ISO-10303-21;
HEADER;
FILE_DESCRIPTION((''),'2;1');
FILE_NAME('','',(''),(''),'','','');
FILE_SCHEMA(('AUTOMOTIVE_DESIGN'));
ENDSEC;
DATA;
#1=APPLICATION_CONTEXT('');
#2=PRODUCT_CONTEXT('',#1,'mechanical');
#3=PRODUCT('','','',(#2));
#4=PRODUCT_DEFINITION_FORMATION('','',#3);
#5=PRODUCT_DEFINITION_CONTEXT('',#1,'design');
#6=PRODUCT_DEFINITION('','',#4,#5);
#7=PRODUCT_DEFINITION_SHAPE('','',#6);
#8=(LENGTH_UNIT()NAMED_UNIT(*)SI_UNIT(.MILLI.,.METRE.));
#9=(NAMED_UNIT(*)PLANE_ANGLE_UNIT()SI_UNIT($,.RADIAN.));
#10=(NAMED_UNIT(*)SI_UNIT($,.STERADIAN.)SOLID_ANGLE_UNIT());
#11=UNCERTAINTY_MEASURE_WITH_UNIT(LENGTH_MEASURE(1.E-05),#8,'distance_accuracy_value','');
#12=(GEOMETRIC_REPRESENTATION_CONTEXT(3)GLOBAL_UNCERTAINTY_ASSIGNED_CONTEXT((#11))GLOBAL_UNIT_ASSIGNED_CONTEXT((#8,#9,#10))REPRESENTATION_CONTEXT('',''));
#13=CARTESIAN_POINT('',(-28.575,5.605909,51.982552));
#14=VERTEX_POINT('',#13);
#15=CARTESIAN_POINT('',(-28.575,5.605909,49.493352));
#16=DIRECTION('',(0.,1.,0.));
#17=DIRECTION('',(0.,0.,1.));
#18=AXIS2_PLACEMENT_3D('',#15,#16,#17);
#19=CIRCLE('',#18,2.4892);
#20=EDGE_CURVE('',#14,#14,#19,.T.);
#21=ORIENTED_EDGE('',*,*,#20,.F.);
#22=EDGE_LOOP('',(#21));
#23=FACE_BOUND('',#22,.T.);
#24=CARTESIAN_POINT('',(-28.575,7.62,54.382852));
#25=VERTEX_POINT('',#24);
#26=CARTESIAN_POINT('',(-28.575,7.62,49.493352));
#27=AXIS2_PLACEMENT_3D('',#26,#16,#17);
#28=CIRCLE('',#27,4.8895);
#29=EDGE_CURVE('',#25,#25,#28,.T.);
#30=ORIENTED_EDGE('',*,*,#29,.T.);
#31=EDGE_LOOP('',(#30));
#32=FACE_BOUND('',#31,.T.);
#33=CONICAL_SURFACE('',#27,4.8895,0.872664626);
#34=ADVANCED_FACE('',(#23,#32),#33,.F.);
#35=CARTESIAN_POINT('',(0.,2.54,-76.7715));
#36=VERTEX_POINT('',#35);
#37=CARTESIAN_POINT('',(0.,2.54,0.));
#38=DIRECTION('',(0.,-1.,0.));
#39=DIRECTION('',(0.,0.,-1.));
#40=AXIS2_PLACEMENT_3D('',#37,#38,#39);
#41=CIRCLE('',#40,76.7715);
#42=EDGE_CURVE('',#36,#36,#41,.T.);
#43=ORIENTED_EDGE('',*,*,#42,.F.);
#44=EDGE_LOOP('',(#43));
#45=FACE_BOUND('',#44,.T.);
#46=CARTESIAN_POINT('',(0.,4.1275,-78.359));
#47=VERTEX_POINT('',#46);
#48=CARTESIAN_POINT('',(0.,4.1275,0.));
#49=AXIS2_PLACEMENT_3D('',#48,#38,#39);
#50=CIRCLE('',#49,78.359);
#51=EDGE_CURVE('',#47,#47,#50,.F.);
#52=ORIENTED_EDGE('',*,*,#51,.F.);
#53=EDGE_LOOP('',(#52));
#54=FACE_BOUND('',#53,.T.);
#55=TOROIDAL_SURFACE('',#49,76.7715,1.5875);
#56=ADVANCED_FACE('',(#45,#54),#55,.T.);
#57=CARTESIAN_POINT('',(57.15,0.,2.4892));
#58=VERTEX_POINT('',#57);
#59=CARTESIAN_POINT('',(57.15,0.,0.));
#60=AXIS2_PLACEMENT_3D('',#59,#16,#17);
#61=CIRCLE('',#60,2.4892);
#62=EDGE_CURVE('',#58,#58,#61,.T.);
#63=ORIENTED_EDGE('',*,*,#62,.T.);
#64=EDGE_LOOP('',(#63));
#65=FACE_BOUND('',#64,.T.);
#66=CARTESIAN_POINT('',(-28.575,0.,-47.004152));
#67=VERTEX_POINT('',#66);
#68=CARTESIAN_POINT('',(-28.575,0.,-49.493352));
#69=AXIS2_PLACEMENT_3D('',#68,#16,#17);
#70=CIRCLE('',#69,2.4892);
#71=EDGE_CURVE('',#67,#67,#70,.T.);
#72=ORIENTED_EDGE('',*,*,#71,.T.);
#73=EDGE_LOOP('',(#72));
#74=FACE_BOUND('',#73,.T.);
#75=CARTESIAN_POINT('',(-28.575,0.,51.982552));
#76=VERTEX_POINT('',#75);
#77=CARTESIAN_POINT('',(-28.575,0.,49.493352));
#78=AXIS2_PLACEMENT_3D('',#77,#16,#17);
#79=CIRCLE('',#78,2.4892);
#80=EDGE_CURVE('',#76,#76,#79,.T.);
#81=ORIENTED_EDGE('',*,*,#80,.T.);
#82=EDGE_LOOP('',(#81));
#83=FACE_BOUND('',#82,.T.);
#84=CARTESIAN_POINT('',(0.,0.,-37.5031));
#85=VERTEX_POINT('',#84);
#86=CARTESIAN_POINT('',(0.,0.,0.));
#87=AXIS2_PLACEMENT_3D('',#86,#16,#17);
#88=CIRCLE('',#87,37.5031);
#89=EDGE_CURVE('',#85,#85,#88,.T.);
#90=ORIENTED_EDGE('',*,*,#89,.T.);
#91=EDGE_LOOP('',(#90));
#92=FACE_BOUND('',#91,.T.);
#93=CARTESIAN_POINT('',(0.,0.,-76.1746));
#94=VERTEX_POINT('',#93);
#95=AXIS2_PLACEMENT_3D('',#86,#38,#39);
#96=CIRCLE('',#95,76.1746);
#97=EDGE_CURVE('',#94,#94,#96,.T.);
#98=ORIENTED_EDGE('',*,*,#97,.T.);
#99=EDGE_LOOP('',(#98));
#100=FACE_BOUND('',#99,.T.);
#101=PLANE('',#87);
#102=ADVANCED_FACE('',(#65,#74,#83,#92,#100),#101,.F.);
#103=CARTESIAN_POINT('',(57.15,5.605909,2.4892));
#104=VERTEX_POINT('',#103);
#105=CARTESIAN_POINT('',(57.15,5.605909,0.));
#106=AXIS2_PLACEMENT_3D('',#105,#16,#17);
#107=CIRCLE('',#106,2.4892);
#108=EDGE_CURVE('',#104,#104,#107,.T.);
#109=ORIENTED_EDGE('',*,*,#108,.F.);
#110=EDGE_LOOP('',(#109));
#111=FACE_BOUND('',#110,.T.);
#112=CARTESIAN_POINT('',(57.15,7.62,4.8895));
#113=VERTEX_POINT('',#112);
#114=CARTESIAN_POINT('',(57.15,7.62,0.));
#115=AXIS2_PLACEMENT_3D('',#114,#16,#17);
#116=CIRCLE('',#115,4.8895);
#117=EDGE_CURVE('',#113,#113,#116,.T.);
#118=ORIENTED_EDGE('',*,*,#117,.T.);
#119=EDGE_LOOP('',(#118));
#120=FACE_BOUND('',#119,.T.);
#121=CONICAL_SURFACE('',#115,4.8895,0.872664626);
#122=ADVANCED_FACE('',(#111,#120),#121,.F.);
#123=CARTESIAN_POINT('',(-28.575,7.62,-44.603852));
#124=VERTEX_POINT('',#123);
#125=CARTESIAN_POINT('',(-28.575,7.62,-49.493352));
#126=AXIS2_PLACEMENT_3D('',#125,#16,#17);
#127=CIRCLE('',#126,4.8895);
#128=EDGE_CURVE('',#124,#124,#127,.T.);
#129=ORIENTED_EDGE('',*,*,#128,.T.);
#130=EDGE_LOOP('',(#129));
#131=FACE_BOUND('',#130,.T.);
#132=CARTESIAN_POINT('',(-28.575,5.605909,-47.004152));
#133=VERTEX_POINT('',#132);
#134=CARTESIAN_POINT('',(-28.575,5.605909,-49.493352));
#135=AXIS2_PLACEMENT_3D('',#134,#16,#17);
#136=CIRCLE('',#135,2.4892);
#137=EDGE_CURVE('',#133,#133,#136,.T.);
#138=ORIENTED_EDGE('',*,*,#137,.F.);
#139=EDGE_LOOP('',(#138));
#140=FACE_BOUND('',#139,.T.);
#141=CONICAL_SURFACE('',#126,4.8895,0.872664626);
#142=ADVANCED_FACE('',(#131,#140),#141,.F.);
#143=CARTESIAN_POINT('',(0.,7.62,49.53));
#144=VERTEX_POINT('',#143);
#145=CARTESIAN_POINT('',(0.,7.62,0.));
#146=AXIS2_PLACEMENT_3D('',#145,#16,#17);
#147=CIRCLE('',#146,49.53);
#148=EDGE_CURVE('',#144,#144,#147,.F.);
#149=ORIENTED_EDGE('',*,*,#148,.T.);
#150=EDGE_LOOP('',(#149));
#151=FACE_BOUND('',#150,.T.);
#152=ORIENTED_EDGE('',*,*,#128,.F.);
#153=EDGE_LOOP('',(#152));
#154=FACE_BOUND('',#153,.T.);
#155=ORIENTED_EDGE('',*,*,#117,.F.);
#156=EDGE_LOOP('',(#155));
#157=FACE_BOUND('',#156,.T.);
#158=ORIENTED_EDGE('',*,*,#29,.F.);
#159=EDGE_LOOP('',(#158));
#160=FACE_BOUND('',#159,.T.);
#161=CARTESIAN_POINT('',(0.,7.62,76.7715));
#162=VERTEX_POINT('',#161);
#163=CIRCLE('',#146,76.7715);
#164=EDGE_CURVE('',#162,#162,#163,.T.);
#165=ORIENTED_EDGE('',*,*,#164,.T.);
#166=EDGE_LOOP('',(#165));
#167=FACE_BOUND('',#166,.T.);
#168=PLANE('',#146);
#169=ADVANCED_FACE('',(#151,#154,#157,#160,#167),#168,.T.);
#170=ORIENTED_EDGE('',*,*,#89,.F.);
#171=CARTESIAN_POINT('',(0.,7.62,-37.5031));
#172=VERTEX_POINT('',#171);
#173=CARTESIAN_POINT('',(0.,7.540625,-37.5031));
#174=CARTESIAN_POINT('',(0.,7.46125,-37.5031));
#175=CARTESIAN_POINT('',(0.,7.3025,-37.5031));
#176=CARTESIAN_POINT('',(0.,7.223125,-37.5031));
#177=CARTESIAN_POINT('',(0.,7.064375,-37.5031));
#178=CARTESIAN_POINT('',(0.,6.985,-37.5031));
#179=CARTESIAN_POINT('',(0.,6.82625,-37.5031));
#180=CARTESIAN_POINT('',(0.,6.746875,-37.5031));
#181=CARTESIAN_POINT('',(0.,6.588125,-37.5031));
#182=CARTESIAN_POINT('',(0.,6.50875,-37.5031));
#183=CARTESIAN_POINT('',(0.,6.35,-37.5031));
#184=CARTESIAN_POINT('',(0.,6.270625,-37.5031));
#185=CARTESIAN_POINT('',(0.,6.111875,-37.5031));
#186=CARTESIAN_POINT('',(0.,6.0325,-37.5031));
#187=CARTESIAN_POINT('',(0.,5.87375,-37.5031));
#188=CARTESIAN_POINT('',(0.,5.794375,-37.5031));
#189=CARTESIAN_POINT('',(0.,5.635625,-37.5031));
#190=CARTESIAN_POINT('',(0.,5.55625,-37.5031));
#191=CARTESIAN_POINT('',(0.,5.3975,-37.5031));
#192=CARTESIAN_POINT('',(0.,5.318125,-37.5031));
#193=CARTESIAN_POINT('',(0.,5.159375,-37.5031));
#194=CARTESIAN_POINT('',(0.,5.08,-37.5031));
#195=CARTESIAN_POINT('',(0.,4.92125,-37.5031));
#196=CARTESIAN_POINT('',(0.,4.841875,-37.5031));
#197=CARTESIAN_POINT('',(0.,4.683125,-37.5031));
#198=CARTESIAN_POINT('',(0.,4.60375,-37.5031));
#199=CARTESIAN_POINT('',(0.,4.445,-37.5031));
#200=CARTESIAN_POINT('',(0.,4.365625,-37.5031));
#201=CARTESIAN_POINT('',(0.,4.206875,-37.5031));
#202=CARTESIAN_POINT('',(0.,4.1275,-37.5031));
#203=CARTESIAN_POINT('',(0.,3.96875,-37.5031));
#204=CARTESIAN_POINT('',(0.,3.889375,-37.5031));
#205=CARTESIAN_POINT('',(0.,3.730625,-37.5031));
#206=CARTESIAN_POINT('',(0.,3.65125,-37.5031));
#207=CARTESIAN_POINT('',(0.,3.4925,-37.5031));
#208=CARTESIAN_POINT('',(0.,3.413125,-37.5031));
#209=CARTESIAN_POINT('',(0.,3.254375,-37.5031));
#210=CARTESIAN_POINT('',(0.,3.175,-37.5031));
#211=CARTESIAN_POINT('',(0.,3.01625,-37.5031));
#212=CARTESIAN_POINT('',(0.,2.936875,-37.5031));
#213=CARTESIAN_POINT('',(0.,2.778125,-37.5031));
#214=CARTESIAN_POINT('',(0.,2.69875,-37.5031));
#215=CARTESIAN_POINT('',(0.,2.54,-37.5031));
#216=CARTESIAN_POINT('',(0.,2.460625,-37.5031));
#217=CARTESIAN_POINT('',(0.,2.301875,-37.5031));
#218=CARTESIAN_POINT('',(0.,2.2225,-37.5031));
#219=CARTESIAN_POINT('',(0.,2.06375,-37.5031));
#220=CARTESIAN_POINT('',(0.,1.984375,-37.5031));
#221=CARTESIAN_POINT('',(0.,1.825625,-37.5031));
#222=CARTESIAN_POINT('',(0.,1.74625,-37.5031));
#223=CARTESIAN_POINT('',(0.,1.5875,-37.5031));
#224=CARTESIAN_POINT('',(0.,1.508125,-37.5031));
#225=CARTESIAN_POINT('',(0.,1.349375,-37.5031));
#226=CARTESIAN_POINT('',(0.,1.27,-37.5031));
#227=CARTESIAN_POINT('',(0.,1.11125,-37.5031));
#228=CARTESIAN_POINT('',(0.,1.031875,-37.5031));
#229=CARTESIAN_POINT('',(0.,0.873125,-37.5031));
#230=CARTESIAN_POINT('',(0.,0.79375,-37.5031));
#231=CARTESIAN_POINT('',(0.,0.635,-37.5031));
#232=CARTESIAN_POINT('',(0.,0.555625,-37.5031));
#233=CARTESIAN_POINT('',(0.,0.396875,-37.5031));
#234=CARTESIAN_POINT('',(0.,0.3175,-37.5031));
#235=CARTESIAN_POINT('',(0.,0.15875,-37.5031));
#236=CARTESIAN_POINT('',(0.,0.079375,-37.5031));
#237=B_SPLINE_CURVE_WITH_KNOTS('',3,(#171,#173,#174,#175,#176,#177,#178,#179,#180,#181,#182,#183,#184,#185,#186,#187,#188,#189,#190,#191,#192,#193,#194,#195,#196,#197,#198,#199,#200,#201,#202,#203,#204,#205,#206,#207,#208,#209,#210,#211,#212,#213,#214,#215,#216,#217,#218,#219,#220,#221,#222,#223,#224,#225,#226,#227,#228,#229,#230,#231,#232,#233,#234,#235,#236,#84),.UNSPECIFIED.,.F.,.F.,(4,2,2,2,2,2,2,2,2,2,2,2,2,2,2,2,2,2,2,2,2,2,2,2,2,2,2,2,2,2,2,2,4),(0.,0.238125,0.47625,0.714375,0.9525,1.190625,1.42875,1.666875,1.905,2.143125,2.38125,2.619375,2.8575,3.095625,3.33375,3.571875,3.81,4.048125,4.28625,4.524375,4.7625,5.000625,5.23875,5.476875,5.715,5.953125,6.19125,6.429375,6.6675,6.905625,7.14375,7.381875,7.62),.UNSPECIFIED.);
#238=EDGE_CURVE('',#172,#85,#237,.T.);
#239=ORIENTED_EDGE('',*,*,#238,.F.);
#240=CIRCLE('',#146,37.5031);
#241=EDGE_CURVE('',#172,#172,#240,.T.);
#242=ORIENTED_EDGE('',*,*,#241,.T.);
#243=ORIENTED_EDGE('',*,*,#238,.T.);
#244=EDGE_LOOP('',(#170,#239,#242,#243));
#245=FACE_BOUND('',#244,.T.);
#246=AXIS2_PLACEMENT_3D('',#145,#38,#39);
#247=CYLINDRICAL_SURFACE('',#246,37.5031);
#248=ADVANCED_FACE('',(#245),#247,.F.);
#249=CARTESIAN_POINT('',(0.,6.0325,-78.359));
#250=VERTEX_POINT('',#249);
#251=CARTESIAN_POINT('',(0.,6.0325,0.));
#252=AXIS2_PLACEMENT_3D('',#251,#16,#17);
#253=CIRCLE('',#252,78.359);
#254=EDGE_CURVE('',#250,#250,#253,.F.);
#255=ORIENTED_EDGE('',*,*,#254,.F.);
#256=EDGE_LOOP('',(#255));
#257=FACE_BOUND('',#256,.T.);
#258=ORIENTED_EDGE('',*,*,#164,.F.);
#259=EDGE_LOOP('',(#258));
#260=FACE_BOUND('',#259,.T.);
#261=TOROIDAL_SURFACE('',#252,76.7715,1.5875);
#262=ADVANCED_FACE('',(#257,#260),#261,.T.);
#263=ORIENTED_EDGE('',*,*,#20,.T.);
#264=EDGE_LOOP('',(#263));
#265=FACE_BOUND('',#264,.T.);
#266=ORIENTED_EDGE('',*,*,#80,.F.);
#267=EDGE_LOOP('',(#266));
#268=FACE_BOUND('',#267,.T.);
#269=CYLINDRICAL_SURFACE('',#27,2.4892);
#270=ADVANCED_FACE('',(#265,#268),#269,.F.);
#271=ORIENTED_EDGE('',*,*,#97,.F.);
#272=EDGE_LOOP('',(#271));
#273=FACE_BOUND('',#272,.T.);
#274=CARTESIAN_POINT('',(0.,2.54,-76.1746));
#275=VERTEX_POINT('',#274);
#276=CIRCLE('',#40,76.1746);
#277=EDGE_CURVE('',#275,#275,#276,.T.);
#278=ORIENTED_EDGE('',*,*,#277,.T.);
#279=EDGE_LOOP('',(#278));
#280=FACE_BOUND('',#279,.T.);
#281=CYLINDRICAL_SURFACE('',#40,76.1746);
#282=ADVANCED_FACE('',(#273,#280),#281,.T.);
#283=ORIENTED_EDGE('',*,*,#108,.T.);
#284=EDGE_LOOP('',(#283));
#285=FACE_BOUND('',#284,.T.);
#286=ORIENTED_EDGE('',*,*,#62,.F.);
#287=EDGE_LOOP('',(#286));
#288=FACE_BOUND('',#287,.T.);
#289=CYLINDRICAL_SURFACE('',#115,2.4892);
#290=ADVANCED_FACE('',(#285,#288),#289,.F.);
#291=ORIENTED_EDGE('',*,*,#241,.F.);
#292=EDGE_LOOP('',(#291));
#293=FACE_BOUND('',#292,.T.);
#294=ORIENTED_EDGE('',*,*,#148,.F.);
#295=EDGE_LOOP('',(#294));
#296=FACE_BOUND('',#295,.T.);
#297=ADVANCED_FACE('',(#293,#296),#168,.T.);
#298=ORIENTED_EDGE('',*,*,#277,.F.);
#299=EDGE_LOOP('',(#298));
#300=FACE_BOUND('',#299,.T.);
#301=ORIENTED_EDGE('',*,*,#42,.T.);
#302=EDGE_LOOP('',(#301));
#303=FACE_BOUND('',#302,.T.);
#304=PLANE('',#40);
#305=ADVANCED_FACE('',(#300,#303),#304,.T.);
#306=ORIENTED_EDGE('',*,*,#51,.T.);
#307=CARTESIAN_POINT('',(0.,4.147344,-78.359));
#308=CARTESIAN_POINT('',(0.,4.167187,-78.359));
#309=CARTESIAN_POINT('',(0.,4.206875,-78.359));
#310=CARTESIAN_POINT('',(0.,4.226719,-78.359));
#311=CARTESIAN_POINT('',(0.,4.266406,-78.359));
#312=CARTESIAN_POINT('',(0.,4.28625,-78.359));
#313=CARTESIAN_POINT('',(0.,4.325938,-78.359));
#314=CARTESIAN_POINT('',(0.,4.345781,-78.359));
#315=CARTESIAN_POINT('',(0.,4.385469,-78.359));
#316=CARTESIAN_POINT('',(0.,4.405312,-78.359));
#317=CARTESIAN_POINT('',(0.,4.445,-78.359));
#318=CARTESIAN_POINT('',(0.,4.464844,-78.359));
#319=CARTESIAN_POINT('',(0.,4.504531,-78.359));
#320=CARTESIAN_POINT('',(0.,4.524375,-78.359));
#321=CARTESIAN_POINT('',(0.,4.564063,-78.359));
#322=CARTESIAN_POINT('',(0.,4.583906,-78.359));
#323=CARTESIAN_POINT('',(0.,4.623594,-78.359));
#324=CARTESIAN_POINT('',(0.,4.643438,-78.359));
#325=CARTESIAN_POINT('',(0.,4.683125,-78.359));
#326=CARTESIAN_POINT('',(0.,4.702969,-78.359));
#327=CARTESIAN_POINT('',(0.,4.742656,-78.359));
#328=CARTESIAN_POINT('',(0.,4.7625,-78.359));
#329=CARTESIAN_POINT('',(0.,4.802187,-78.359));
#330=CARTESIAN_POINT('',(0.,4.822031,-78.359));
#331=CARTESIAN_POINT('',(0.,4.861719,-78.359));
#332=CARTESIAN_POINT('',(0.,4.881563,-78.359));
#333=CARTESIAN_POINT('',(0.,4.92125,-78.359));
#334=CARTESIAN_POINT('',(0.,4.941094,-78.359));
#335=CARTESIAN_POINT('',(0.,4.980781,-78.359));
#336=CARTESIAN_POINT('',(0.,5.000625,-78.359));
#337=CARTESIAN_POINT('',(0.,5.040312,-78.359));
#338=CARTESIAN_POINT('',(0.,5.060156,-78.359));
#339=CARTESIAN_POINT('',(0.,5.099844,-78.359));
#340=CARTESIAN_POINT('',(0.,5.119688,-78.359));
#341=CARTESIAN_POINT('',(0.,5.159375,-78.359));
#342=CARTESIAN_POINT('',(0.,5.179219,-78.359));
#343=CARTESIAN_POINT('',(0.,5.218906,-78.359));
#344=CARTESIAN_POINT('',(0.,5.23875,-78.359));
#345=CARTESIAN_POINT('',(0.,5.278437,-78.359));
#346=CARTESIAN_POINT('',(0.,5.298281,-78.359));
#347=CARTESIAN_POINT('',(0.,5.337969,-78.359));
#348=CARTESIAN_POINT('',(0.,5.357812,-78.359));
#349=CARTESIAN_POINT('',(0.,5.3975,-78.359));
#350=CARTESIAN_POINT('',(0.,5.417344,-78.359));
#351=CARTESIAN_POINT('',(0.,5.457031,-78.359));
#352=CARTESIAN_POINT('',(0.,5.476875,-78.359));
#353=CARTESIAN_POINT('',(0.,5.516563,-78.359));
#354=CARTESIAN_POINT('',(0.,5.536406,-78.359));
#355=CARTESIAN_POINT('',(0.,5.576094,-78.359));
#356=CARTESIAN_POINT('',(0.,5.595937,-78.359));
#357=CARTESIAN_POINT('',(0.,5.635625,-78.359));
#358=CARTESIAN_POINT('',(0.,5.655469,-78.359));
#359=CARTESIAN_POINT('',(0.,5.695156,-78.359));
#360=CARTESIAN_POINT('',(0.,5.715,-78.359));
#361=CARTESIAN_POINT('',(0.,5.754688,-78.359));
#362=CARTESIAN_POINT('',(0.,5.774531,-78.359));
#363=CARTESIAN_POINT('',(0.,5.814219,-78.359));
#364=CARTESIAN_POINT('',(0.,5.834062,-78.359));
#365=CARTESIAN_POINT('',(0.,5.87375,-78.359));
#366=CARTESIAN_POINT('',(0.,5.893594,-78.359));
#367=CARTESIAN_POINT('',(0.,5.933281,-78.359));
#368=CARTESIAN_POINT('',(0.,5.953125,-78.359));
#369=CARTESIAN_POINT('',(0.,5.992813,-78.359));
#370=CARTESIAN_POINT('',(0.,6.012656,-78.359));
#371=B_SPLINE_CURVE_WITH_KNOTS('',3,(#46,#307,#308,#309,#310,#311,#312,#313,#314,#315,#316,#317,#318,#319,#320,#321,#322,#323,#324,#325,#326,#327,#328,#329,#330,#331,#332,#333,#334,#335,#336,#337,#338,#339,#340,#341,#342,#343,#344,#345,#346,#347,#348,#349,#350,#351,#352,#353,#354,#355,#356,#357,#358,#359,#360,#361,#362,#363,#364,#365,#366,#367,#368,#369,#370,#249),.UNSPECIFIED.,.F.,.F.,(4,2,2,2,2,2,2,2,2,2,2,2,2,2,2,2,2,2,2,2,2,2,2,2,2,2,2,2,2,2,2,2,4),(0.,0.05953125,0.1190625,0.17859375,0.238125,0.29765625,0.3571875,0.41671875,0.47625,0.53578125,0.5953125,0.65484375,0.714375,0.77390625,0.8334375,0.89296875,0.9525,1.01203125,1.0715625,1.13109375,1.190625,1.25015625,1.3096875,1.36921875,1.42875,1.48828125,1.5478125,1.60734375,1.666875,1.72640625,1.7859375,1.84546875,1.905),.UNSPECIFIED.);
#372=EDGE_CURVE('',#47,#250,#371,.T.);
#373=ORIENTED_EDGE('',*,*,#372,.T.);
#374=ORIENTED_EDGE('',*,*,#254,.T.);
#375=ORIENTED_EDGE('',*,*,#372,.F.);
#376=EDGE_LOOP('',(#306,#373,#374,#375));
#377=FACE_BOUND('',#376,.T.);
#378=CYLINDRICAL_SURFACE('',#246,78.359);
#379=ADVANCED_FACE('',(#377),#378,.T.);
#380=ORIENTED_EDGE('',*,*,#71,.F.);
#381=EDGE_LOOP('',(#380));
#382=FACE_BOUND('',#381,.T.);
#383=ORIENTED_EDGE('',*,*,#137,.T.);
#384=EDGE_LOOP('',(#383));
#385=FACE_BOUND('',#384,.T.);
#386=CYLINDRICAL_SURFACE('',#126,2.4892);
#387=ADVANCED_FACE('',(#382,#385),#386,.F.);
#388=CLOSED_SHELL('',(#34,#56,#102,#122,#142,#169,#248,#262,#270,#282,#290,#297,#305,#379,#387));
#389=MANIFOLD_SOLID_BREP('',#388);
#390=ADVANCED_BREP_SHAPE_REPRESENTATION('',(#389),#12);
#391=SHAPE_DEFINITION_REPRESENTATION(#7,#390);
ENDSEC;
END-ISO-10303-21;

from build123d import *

# Parameters (mm, degrees)
SKETCH1_R                                          = 78.359
SKETCH1_R_2                                        = 37.5031
BOSS_EXTRUDE1_DEPTH                                = 7.62
CSK_FOR_10_FLAT_HEAD_MACHINE_SCREW_100_D           = 4.9784
CSK_FOR_10_FLAT_HEAD_MACHINE_SCREW_100_CSINK_D     = 9.779
CSK_FOR_10_FLAT_HEAD_MACHINE_SCREW_100_CSINK_ANGLE = 100
CIRPATTERN1_COUNT                                  = 3
SKETCH6_R                                          = 78.359
SKETCH6_R_2                                        = 76.1746
CUT_EXTRUDE1_DEPTH                                 = 2.54
FILLET1_R                                          = 1.5875


with BuildPart() as part:
    # Sketch1 → Boss-Extrude1 (new body)
    with BuildSketch(Plane(origin=(0, 0, 0), x_dir=(1, 0, 0), z_dir=(0, 1, 0))):
        with Locations(Location((0, 0, 0), (0, 0, 90))):
            Circle(SKETCH1_R)
        with Locations(Location((0, 0, 0), (0, 0, 90))):
            Circle(SKETCH1_R_2, mode=Mode.SUBTRACT)
    extrude(amount=BOSS_EXTRUDE1_DEPTH)

    # CSK for #10 Flat Head Machine Screw (100)1 (through all)
    with Locations(Plane(origin=(0, 7.62, 0), x_dir=(1, 0, 0), z_dir=(0, 1, 0))):
        with Locations((57.15, 0)):
            csk_for_10_flat_head_machine_screw_100 = CounterSinkHole(CSK_FOR_10_FLAT_HEAD_MACHINE_SCREW_100_D / 2, CSK_FOR_10_FLAT_HEAD_MACHINE_SCREW_100_CSINK_D / 2, counter_sink_angle=CSK_FOR_10_FLAT_HEAD_MACHINE_SCREW_100_CSINK_ANGLE)

    # CirPattern1: CSK for #10 Flat Head Machine Screw (100)1 ×3 about axis
    cirpattern1_axis = Axis((0, 0, 0), (0, 1, 0))
    for i in range(1, CIRPATTERN1_COUNT):
        add(csk_for_10_flat_head_machine_screw_100.rotate(cirpattern1_axis, i * 360 / CIRPATTERN1_COUNT), mode=Mode.SUBTRACT)

    # Sketch6 → Cut-Extrude1 (cut)
    with BuildSketch(Plane.XZ):
        with Locations(Location((0, 0, 0), (0, 0, 270))):
            Circle(SKETCH6_R)
        with Locations(Location((0, 0, 0), (0, 0, 270))):
            Circle(SKETCH6_R_2, mode=Mode.SUBTRACT)
    extrude(amount=-CUT_EXTRUDE1_DEPTH, mode=Mode.SUBTRACT)

    # Fillet1
    fillet1_edges = [part.edges().sort_by_distance(p)[0] for p in [
        (0, 2.54, 78.359),
        (0, 7.62, 78.359),
    ]]
    fillet(fillet1_edges, radius=FILLET1_R)


solid = part.part
